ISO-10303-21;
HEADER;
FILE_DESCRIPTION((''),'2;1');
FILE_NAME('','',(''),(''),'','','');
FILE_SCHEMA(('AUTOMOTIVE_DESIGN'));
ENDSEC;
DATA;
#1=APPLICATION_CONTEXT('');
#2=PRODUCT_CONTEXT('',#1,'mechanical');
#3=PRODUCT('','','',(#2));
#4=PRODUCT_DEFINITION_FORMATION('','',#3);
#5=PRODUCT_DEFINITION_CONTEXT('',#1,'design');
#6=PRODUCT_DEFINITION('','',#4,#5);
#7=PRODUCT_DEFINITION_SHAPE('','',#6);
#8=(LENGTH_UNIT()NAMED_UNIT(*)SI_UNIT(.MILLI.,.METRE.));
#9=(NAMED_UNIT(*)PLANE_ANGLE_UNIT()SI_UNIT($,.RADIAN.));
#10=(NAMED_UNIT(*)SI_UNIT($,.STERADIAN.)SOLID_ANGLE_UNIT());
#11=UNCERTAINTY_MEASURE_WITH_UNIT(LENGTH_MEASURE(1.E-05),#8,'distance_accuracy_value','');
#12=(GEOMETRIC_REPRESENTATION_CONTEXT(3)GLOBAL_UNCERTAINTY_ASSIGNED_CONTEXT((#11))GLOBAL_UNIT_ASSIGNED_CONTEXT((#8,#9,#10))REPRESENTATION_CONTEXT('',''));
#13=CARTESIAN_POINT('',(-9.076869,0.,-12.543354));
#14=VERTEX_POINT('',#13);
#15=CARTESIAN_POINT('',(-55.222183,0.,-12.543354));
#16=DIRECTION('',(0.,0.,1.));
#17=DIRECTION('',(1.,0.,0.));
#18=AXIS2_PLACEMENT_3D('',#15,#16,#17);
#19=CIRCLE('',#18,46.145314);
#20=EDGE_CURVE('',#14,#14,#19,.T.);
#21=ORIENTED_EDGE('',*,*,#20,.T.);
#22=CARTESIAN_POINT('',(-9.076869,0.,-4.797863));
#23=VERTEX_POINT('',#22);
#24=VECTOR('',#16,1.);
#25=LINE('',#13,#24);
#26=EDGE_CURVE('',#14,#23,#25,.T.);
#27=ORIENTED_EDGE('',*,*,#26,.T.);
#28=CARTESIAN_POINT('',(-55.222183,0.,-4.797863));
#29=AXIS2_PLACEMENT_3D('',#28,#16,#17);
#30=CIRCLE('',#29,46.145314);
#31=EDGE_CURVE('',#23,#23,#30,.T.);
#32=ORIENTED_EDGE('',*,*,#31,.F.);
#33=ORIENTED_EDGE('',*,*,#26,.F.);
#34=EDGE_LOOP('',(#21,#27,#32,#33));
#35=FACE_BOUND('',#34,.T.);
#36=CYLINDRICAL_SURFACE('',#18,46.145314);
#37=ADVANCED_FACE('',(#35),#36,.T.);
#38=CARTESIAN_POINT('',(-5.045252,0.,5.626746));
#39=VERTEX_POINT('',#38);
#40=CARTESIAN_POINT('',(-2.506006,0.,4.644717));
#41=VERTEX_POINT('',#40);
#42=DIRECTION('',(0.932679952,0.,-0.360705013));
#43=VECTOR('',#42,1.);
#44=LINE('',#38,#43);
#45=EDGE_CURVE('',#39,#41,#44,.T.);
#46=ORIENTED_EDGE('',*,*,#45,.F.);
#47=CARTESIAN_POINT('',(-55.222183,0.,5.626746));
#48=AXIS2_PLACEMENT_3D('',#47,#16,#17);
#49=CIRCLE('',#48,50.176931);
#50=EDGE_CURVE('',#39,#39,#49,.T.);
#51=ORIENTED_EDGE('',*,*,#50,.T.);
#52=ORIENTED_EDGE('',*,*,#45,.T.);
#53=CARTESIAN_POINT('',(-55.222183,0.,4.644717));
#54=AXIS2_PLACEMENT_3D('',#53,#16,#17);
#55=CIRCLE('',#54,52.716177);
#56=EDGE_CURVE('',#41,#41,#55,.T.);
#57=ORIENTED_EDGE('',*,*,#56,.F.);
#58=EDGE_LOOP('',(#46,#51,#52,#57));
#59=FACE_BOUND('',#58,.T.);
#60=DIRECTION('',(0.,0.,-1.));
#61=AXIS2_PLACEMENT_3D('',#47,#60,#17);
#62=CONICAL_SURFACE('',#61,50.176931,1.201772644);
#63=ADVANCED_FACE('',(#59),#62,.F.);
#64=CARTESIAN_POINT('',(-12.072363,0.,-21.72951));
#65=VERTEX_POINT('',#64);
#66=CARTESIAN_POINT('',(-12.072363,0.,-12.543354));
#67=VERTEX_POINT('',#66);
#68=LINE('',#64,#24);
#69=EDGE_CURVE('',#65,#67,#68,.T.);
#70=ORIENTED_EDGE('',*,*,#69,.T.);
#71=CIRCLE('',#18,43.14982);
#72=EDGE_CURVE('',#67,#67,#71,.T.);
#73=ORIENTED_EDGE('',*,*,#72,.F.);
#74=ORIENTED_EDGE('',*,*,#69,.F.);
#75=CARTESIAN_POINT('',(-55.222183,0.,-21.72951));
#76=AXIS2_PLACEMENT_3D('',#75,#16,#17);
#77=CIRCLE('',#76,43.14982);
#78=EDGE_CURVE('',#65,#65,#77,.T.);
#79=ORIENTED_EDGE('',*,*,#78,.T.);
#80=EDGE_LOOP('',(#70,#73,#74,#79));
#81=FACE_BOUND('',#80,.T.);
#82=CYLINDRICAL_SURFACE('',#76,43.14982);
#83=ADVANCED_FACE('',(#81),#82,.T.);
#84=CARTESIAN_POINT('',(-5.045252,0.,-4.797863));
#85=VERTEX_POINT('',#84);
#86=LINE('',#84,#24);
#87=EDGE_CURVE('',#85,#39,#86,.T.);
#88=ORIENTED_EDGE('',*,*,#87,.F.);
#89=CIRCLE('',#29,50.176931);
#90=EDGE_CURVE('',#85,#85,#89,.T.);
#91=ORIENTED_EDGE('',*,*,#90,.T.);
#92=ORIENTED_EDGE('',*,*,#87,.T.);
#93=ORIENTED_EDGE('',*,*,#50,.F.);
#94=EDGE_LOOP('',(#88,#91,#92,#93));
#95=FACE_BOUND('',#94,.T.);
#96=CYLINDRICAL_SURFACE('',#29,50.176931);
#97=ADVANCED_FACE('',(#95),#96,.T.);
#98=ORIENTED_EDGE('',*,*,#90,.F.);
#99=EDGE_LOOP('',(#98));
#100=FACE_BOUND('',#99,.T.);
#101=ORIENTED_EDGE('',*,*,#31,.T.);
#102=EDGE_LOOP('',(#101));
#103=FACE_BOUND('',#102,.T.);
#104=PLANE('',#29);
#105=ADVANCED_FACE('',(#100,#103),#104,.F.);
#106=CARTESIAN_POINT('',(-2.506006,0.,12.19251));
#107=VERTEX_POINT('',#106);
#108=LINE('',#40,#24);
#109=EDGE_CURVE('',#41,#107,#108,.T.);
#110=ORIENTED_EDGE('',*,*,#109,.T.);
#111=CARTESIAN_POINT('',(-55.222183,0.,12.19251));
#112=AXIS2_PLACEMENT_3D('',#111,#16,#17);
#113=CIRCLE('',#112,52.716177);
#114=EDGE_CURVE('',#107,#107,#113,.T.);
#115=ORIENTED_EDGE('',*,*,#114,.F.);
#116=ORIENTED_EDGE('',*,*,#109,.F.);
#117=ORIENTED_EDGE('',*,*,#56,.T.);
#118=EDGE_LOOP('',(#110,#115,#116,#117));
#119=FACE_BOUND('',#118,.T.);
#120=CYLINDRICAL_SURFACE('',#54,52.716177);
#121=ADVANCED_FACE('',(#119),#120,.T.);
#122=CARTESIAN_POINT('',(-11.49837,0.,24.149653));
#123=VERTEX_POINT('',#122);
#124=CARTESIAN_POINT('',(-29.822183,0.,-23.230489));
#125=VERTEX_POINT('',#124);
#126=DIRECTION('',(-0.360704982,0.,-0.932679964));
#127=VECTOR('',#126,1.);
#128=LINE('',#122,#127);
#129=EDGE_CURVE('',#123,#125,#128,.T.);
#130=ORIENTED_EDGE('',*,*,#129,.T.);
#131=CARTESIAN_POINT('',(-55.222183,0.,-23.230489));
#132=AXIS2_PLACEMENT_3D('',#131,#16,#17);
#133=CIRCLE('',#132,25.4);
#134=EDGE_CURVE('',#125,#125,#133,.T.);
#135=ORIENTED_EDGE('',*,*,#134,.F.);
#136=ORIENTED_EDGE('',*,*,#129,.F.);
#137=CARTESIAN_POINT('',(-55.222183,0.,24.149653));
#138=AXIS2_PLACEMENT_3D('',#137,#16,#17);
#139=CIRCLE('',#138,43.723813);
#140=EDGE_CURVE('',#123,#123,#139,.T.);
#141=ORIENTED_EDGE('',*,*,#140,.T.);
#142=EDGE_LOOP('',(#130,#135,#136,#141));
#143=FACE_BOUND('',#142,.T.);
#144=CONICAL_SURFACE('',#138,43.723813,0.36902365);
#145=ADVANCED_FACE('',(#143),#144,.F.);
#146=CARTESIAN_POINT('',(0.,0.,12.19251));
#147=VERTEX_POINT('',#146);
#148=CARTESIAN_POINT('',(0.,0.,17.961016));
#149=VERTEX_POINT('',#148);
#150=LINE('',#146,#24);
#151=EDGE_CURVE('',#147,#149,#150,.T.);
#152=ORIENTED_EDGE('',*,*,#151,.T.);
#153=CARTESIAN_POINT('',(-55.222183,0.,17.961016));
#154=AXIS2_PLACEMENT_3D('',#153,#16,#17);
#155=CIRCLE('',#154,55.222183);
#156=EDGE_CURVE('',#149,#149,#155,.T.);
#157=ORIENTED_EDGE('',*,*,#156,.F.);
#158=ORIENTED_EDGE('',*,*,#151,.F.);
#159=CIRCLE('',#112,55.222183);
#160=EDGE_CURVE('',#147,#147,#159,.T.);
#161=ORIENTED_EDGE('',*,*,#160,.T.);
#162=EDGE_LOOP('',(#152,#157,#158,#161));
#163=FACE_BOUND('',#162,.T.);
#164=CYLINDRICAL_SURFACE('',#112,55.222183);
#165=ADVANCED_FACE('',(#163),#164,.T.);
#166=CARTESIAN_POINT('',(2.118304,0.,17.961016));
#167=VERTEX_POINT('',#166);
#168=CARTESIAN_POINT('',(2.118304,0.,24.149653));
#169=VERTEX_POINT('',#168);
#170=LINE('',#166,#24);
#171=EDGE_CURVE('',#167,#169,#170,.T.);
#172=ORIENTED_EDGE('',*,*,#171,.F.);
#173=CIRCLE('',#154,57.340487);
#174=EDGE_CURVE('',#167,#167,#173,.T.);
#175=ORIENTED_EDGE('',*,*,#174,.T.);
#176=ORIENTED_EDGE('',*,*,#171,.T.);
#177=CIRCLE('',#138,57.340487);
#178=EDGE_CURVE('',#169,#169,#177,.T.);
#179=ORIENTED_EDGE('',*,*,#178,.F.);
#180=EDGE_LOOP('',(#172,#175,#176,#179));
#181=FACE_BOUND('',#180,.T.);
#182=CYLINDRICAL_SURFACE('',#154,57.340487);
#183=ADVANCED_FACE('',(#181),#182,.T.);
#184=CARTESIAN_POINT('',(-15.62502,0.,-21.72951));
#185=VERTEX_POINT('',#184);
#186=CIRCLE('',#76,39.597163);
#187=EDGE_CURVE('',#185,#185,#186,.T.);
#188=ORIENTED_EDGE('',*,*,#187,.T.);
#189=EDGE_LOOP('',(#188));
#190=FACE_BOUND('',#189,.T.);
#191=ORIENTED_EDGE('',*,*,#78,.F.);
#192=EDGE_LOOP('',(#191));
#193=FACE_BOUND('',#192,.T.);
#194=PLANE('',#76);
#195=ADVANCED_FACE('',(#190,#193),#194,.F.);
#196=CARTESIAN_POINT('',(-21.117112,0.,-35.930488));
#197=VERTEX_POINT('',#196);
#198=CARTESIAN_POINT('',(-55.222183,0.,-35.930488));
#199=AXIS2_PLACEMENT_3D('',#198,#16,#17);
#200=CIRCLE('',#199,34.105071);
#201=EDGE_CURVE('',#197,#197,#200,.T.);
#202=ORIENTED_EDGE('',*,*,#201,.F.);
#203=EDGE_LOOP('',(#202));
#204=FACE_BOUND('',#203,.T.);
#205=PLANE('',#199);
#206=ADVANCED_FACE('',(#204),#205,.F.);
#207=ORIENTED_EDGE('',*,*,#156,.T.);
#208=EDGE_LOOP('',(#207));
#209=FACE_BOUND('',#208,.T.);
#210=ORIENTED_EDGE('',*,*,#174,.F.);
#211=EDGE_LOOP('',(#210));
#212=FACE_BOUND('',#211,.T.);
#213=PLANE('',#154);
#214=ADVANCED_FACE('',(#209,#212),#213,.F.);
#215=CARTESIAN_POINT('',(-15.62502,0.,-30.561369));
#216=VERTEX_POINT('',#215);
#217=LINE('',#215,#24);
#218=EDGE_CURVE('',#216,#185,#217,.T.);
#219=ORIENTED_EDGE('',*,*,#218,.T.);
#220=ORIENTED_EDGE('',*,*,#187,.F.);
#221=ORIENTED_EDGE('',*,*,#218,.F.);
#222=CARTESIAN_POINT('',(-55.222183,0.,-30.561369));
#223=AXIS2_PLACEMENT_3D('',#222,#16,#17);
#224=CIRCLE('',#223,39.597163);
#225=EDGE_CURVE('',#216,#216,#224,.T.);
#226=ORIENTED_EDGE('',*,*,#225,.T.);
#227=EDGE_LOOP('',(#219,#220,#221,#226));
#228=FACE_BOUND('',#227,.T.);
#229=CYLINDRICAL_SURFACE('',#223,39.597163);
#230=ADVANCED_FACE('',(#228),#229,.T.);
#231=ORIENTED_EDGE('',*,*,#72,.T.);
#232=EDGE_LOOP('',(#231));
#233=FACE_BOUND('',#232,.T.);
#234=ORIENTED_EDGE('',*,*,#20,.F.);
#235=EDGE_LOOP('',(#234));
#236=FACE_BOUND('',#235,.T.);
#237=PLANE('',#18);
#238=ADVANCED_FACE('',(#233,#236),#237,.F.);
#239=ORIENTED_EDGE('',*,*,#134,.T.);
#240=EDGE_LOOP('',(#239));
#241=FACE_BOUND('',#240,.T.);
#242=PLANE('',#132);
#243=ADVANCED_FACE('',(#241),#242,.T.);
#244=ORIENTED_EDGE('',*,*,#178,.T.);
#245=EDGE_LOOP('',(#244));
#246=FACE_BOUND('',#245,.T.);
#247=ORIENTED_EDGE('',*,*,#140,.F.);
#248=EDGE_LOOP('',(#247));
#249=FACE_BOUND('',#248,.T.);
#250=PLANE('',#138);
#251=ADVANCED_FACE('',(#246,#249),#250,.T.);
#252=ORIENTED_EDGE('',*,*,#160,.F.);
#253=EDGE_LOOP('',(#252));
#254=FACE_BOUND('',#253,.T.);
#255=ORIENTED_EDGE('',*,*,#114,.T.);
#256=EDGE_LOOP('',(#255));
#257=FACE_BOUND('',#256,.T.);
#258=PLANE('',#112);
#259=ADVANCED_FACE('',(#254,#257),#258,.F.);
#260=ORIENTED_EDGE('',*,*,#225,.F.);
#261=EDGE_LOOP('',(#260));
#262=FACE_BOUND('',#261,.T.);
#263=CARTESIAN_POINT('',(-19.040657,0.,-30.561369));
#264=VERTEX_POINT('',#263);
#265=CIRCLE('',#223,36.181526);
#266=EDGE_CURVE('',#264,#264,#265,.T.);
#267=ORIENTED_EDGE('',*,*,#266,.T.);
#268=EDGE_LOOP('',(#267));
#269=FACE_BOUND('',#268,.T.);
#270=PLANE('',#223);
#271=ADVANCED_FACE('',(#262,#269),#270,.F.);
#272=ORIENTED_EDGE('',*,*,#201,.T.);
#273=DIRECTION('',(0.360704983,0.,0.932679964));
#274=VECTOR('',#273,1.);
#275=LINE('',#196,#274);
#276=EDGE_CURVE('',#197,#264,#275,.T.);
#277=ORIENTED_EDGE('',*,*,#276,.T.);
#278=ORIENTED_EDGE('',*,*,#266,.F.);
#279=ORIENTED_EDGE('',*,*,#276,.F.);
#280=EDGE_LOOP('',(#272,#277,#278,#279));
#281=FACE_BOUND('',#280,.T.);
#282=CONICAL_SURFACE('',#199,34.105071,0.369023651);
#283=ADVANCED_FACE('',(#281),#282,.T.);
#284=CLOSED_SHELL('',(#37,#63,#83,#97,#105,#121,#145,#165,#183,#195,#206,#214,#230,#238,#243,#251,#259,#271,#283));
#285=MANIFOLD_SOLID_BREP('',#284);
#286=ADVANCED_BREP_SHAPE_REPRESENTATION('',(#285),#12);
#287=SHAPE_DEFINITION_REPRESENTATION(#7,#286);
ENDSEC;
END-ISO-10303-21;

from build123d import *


with BuildPart() as f1:
    # F0 (on Front) → F1 (revolve)
    with BuildSketch(Plane.XZ):
        Polygon((-29.822183, -23.230489), (-55.222183, -23.230489), (-55.222183, -35.930488), (-21.117112, -35.930488), (-19.040657, -30.561369), (-15.62502, -21.72951), (-12.072363, -12.543354), (-9.076869, -4.797863), (-5.045252, 5.626746), (-2.506006, 12.19251), (2.118304, 24.149653), (-11.49837, 24.149653), align=None)
        Polygon((2.118304, 17.961016), (2.118304, 24.149653), (-2.506006, 12.19251), (0, 12.19251), (0, 17.961016), align=None)
        Polygon((-15.62502, -21.72951), (-19.040657, -30.561369), (-15.62502, -30.561369), align=None)
        Polygon((-2.506006, 4.644717), (-2.506006, 12.19251), (-5.045252, 5.626746), align=None)
        Polygon((-12.072363, -12.543354), (-15.62502, -21.72951), (-12.072363, -21.72951), align=None)
        Polygon((-5.045252, -4.797863), (-5.045252, 5.626746), (-9.076869, -4.797863), align=None)
        Polygon((-9.076869, -4.797863), (-12.072363, -12.543354), (-9.076869, -12.543354), align=None)
    revolve(axis=Axis((-55.222183, 0, -5.890418), (0, 0, 1)))


solid = f1.part
